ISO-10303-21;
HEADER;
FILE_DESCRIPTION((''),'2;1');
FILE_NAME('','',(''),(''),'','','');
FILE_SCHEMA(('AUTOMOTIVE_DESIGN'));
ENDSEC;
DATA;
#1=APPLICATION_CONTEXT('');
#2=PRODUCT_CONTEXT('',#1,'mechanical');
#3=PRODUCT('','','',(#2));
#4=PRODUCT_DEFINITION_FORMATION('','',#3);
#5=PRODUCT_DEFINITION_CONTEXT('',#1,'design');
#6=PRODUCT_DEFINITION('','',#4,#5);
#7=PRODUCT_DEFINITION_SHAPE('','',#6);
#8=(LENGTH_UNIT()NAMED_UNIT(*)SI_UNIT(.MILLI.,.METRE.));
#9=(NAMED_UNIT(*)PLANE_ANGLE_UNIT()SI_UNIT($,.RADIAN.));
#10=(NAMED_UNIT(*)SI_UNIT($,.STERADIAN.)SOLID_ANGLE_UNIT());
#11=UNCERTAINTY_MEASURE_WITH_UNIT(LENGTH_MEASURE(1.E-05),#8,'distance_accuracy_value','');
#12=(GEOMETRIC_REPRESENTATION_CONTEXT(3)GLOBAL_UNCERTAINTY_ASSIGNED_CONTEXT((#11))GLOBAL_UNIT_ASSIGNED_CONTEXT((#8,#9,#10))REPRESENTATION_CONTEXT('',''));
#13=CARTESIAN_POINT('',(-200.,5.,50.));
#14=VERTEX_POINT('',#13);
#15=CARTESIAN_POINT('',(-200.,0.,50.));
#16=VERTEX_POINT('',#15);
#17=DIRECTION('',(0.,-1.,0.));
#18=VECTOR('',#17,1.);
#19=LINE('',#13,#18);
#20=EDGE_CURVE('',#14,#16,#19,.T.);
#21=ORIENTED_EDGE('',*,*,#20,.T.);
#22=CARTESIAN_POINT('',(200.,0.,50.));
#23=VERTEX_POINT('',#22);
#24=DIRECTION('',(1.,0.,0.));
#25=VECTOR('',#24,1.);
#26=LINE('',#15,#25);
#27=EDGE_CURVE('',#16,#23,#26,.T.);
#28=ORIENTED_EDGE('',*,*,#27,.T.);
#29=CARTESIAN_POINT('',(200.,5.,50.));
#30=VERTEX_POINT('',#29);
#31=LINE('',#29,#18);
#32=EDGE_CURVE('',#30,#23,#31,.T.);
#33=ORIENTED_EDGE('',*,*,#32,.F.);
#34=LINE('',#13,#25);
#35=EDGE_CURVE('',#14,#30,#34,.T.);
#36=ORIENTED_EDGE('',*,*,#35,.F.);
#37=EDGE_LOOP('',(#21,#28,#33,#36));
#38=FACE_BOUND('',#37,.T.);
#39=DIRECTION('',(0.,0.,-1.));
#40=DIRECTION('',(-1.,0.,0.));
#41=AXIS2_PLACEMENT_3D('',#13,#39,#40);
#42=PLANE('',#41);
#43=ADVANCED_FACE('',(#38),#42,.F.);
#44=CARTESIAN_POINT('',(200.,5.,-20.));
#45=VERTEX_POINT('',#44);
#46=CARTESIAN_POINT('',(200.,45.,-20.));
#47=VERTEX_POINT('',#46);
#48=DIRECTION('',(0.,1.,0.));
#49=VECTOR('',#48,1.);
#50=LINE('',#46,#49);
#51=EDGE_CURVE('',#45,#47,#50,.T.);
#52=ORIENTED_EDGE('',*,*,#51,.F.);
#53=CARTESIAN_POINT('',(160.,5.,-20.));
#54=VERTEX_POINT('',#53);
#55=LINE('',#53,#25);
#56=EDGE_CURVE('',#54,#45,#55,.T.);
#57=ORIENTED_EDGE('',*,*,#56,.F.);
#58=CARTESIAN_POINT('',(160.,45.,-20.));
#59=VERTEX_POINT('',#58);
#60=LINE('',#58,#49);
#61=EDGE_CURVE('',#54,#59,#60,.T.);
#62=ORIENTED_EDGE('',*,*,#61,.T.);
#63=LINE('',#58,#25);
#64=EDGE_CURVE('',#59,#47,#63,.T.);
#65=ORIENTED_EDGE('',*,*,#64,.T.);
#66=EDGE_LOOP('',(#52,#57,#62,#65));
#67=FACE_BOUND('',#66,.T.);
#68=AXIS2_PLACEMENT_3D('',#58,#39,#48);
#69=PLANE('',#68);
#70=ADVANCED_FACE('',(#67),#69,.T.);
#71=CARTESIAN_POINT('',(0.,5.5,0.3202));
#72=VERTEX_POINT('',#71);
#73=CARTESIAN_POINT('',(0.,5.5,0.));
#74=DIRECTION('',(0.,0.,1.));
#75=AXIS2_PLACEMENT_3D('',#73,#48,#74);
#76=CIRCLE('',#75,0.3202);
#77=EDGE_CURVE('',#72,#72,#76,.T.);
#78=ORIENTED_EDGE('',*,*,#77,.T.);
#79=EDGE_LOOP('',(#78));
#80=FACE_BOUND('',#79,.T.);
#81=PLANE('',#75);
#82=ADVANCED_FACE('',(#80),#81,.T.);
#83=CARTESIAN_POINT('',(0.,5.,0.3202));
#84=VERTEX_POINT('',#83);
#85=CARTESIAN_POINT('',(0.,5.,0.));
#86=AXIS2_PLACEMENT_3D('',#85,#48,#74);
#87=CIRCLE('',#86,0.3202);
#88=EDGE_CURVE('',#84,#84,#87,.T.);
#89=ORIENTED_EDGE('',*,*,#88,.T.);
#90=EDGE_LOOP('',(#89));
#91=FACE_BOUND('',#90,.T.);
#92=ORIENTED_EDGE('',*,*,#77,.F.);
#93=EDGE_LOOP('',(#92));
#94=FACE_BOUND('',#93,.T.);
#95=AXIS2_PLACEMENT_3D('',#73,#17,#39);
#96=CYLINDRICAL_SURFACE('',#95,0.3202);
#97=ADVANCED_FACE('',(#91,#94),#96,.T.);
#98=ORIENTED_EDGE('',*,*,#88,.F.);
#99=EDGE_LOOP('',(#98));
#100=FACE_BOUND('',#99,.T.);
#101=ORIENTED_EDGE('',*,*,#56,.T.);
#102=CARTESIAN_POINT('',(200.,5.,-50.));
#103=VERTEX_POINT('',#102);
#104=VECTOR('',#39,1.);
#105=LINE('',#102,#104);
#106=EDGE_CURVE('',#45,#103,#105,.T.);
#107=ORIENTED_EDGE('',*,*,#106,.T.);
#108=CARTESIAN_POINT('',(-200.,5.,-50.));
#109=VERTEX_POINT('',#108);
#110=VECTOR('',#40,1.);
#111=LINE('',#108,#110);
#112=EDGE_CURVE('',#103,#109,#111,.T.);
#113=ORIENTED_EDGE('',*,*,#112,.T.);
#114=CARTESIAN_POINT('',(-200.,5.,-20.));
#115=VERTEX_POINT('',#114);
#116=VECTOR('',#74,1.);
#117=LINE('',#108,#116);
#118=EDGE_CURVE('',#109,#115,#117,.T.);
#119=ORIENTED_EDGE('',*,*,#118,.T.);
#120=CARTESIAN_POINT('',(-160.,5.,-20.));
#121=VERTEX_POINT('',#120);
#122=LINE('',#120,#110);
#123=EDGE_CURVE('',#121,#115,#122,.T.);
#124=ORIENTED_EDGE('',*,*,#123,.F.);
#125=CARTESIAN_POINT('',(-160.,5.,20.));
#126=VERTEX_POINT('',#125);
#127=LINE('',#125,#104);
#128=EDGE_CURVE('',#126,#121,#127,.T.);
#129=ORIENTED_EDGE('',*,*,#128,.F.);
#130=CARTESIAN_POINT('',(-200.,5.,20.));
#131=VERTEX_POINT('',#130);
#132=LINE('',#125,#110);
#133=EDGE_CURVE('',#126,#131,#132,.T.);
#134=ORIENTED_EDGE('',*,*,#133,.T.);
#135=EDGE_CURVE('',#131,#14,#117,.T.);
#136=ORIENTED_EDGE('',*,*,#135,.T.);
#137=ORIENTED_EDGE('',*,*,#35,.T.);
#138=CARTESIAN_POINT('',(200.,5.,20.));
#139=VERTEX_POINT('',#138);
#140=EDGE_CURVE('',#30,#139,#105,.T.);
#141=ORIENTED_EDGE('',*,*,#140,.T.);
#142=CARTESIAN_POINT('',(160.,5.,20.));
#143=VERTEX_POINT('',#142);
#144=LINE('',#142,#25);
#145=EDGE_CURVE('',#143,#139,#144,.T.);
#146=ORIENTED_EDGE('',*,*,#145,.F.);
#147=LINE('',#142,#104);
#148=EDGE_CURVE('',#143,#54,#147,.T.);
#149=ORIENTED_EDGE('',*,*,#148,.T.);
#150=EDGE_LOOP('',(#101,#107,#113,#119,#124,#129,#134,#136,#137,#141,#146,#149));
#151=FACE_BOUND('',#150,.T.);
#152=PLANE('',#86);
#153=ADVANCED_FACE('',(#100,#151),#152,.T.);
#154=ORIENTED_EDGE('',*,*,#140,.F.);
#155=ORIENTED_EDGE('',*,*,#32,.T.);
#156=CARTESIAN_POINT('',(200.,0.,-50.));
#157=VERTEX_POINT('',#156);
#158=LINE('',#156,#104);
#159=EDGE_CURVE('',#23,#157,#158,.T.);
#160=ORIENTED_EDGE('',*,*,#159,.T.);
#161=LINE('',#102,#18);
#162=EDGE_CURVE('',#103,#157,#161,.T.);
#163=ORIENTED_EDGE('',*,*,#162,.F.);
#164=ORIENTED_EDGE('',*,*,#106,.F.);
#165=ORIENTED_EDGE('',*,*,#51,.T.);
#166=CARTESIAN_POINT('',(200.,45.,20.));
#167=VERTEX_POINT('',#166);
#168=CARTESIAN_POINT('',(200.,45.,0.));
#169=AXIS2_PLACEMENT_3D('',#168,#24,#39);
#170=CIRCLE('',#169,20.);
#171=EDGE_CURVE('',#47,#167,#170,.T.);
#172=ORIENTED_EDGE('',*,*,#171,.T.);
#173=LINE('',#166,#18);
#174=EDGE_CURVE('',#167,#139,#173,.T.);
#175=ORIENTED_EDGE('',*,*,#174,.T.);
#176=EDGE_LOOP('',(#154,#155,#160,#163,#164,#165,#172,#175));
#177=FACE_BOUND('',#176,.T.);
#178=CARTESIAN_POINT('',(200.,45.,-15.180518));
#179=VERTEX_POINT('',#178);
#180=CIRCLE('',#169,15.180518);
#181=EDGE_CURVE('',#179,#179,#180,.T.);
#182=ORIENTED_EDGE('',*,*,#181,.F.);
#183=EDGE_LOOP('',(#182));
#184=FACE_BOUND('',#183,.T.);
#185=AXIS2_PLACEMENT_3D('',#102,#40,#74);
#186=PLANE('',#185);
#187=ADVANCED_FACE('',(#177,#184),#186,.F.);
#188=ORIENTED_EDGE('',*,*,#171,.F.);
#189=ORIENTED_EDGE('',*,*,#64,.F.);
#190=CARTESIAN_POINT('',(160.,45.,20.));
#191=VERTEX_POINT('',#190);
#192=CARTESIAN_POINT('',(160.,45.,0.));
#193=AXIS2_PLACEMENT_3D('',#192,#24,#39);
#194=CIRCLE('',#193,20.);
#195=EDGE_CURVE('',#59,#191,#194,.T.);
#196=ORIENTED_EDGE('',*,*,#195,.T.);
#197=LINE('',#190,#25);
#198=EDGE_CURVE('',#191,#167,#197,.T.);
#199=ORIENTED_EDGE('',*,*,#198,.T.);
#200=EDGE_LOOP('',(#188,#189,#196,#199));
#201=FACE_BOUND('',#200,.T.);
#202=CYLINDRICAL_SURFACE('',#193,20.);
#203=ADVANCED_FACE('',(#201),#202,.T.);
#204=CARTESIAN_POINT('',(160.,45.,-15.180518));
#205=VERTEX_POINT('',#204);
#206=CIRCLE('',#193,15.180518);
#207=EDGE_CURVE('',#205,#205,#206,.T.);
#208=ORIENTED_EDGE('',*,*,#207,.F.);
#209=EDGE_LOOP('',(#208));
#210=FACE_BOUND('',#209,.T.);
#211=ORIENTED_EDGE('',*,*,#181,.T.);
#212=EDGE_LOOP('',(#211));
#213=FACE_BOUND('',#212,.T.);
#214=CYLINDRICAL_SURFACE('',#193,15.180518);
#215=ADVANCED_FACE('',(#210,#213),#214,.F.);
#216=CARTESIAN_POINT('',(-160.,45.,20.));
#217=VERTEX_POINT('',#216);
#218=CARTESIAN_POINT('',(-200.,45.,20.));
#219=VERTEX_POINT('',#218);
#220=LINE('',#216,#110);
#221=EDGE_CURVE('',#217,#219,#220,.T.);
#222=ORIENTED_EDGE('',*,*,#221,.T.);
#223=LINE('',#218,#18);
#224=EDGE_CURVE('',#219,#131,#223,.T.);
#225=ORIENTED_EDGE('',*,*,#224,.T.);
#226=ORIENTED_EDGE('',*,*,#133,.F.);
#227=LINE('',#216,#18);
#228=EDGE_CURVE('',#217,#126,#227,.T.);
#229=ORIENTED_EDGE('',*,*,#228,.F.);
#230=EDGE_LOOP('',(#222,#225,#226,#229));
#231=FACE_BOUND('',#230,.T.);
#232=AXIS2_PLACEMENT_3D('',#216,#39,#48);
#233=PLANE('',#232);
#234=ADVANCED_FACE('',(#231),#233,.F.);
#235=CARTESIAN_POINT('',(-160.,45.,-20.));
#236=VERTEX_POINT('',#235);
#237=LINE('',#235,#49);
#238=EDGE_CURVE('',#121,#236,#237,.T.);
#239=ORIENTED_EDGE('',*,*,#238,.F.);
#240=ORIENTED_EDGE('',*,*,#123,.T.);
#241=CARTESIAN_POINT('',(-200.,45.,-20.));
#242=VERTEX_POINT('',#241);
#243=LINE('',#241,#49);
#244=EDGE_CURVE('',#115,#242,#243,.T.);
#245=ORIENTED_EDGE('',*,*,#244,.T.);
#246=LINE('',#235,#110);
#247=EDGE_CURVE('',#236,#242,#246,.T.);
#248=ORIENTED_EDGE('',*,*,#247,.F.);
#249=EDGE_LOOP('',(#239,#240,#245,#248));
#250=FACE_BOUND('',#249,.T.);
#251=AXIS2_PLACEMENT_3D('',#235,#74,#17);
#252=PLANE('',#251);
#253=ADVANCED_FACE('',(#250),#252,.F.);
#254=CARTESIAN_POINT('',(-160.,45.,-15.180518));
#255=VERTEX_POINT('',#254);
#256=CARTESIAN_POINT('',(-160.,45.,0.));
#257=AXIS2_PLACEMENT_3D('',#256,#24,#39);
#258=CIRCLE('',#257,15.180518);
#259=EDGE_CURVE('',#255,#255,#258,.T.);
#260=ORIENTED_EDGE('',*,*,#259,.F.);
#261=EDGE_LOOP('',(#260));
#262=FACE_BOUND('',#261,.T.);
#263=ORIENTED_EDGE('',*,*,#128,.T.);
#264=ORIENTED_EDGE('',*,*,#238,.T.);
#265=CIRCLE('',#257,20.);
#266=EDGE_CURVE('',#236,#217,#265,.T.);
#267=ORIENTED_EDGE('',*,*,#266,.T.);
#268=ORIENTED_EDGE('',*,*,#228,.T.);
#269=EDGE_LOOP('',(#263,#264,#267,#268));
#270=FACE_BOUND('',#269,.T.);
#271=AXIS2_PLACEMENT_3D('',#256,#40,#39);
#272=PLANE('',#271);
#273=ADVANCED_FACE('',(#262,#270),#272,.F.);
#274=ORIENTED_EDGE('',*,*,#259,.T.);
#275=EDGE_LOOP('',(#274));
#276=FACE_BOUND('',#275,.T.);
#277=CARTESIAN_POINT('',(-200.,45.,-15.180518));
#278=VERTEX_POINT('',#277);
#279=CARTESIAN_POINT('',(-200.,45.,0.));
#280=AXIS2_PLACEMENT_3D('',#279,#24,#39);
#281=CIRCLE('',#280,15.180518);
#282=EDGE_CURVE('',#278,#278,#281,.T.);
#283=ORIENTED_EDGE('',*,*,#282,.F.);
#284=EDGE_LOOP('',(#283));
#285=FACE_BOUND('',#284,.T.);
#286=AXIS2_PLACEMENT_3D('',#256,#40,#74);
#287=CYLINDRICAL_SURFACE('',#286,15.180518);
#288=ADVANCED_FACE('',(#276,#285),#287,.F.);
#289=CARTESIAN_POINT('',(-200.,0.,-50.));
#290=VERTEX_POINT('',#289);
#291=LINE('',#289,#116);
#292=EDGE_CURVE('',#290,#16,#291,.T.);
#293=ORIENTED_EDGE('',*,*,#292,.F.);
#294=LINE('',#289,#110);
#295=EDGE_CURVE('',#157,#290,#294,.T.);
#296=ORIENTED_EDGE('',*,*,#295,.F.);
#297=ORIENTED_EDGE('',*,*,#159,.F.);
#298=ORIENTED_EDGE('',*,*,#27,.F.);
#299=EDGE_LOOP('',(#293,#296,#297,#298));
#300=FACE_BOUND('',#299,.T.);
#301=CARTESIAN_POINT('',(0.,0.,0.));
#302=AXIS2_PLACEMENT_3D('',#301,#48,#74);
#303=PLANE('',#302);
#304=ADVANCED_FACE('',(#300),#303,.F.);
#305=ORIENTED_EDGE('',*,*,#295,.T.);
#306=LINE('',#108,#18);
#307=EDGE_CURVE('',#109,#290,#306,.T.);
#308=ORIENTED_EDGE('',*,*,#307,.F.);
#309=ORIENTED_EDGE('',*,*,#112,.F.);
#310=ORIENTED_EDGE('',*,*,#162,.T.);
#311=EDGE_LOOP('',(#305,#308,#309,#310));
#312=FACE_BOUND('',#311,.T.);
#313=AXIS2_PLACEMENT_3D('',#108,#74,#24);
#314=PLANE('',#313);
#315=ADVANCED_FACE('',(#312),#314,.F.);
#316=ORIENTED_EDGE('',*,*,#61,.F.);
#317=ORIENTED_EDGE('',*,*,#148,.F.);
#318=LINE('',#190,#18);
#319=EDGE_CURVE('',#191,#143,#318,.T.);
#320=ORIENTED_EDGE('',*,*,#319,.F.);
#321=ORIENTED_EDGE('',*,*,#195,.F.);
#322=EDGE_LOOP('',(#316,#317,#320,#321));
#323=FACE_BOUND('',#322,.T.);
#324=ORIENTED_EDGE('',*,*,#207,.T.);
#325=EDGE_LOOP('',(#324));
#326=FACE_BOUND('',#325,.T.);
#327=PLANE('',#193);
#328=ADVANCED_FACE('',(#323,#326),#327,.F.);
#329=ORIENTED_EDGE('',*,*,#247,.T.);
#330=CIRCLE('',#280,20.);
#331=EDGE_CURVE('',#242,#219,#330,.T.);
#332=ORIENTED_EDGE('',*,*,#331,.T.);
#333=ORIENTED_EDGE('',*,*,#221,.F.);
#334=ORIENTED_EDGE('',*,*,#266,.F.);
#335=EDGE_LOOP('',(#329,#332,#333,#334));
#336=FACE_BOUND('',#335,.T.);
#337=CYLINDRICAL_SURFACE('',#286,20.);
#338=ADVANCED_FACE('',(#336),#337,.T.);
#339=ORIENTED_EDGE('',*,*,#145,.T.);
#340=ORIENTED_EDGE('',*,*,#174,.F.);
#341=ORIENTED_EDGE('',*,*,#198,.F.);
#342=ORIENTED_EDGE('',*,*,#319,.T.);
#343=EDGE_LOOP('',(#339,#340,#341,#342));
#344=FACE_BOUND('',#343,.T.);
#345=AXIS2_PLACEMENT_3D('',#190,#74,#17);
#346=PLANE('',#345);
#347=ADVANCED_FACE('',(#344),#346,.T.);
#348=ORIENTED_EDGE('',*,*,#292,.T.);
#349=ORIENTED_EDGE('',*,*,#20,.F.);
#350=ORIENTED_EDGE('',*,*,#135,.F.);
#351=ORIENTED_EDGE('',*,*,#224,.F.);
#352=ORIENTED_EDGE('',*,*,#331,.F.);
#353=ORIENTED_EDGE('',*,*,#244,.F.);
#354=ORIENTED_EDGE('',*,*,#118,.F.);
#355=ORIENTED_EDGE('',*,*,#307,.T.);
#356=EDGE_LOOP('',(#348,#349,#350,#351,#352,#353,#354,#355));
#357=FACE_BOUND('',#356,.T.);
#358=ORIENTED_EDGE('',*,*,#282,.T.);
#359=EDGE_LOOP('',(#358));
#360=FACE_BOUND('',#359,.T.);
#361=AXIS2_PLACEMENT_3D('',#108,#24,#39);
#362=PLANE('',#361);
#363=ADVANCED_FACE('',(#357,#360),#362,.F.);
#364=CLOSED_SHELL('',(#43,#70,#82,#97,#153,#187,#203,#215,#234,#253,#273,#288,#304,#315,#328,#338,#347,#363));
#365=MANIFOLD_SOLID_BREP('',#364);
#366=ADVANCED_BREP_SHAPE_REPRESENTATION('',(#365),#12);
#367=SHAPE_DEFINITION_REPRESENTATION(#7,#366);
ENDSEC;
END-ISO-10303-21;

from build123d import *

# Parameters (mm, degrees)
SKETCH1_W           = 400
SKETCH1_H           = 100
BOSS_EXTRUDE1_DEPTH = 5
SKETCH6_R           = 15.180517927
BOSS_EXTRUDE2_DEPTH = 40
SKETCH7_R           = 0.320199733
BOSS_EXTRUDE3_DEPTH = 0.5


with BuildPart() as part:
    # Sketch1 → Boss-Extrude1 (new body)
    with BuildSketch(Plane(origin=(0, 0, 0), x_dir=(1, 0, 0), z_dir=(0, 1, 0))):
        Rectangle(SKETCH1_W, SKETCH1_H)
    extrude(amount=BOSS_EXTRUDE1_DEPTH)

    # Sketch6 → Boss-Extrude2 (add)
    with BuildSketch(Plane(origin=(200, 0, 0), x_dir=(0, 0, -1), z_dir=(1, 0, 0))):
        with BuildLine():
            Line((-20, 45), (-20, 5))
            Line((-20, 5), (20, 5))
            Line((20, 5), (20, 45))
            ThreePointArc((20, 45), (0, 65), (-20, 45))
        make_face()
        with Locations((0, 45)):
            Circle(SKETCH6_R, mode=Mode.SUBTRACT)
    boss_extrude2 = extrude(amount=-BOSS_EXTRUDE2_DEPTH)

    # Mirror1: Boss-Extrude2 across plane
    add(boss_extrude2.mirror(Plane(origin=(0, 0, 0), x_dir=(0, 0, 1), z_dir=(1, 0, 0))))

    # Sketch7 → Boss-Extrude3 (add)
    with BuildSketch(Plane(origin=(0, 5, 0), x_dir=(1, 0, 0), z_dir=(0, 1, 0))):
        Circle(SKETCH7_R)
    extrude(amount=BOSS_EXTRUDE3_DEPTH)


solid = part.part
